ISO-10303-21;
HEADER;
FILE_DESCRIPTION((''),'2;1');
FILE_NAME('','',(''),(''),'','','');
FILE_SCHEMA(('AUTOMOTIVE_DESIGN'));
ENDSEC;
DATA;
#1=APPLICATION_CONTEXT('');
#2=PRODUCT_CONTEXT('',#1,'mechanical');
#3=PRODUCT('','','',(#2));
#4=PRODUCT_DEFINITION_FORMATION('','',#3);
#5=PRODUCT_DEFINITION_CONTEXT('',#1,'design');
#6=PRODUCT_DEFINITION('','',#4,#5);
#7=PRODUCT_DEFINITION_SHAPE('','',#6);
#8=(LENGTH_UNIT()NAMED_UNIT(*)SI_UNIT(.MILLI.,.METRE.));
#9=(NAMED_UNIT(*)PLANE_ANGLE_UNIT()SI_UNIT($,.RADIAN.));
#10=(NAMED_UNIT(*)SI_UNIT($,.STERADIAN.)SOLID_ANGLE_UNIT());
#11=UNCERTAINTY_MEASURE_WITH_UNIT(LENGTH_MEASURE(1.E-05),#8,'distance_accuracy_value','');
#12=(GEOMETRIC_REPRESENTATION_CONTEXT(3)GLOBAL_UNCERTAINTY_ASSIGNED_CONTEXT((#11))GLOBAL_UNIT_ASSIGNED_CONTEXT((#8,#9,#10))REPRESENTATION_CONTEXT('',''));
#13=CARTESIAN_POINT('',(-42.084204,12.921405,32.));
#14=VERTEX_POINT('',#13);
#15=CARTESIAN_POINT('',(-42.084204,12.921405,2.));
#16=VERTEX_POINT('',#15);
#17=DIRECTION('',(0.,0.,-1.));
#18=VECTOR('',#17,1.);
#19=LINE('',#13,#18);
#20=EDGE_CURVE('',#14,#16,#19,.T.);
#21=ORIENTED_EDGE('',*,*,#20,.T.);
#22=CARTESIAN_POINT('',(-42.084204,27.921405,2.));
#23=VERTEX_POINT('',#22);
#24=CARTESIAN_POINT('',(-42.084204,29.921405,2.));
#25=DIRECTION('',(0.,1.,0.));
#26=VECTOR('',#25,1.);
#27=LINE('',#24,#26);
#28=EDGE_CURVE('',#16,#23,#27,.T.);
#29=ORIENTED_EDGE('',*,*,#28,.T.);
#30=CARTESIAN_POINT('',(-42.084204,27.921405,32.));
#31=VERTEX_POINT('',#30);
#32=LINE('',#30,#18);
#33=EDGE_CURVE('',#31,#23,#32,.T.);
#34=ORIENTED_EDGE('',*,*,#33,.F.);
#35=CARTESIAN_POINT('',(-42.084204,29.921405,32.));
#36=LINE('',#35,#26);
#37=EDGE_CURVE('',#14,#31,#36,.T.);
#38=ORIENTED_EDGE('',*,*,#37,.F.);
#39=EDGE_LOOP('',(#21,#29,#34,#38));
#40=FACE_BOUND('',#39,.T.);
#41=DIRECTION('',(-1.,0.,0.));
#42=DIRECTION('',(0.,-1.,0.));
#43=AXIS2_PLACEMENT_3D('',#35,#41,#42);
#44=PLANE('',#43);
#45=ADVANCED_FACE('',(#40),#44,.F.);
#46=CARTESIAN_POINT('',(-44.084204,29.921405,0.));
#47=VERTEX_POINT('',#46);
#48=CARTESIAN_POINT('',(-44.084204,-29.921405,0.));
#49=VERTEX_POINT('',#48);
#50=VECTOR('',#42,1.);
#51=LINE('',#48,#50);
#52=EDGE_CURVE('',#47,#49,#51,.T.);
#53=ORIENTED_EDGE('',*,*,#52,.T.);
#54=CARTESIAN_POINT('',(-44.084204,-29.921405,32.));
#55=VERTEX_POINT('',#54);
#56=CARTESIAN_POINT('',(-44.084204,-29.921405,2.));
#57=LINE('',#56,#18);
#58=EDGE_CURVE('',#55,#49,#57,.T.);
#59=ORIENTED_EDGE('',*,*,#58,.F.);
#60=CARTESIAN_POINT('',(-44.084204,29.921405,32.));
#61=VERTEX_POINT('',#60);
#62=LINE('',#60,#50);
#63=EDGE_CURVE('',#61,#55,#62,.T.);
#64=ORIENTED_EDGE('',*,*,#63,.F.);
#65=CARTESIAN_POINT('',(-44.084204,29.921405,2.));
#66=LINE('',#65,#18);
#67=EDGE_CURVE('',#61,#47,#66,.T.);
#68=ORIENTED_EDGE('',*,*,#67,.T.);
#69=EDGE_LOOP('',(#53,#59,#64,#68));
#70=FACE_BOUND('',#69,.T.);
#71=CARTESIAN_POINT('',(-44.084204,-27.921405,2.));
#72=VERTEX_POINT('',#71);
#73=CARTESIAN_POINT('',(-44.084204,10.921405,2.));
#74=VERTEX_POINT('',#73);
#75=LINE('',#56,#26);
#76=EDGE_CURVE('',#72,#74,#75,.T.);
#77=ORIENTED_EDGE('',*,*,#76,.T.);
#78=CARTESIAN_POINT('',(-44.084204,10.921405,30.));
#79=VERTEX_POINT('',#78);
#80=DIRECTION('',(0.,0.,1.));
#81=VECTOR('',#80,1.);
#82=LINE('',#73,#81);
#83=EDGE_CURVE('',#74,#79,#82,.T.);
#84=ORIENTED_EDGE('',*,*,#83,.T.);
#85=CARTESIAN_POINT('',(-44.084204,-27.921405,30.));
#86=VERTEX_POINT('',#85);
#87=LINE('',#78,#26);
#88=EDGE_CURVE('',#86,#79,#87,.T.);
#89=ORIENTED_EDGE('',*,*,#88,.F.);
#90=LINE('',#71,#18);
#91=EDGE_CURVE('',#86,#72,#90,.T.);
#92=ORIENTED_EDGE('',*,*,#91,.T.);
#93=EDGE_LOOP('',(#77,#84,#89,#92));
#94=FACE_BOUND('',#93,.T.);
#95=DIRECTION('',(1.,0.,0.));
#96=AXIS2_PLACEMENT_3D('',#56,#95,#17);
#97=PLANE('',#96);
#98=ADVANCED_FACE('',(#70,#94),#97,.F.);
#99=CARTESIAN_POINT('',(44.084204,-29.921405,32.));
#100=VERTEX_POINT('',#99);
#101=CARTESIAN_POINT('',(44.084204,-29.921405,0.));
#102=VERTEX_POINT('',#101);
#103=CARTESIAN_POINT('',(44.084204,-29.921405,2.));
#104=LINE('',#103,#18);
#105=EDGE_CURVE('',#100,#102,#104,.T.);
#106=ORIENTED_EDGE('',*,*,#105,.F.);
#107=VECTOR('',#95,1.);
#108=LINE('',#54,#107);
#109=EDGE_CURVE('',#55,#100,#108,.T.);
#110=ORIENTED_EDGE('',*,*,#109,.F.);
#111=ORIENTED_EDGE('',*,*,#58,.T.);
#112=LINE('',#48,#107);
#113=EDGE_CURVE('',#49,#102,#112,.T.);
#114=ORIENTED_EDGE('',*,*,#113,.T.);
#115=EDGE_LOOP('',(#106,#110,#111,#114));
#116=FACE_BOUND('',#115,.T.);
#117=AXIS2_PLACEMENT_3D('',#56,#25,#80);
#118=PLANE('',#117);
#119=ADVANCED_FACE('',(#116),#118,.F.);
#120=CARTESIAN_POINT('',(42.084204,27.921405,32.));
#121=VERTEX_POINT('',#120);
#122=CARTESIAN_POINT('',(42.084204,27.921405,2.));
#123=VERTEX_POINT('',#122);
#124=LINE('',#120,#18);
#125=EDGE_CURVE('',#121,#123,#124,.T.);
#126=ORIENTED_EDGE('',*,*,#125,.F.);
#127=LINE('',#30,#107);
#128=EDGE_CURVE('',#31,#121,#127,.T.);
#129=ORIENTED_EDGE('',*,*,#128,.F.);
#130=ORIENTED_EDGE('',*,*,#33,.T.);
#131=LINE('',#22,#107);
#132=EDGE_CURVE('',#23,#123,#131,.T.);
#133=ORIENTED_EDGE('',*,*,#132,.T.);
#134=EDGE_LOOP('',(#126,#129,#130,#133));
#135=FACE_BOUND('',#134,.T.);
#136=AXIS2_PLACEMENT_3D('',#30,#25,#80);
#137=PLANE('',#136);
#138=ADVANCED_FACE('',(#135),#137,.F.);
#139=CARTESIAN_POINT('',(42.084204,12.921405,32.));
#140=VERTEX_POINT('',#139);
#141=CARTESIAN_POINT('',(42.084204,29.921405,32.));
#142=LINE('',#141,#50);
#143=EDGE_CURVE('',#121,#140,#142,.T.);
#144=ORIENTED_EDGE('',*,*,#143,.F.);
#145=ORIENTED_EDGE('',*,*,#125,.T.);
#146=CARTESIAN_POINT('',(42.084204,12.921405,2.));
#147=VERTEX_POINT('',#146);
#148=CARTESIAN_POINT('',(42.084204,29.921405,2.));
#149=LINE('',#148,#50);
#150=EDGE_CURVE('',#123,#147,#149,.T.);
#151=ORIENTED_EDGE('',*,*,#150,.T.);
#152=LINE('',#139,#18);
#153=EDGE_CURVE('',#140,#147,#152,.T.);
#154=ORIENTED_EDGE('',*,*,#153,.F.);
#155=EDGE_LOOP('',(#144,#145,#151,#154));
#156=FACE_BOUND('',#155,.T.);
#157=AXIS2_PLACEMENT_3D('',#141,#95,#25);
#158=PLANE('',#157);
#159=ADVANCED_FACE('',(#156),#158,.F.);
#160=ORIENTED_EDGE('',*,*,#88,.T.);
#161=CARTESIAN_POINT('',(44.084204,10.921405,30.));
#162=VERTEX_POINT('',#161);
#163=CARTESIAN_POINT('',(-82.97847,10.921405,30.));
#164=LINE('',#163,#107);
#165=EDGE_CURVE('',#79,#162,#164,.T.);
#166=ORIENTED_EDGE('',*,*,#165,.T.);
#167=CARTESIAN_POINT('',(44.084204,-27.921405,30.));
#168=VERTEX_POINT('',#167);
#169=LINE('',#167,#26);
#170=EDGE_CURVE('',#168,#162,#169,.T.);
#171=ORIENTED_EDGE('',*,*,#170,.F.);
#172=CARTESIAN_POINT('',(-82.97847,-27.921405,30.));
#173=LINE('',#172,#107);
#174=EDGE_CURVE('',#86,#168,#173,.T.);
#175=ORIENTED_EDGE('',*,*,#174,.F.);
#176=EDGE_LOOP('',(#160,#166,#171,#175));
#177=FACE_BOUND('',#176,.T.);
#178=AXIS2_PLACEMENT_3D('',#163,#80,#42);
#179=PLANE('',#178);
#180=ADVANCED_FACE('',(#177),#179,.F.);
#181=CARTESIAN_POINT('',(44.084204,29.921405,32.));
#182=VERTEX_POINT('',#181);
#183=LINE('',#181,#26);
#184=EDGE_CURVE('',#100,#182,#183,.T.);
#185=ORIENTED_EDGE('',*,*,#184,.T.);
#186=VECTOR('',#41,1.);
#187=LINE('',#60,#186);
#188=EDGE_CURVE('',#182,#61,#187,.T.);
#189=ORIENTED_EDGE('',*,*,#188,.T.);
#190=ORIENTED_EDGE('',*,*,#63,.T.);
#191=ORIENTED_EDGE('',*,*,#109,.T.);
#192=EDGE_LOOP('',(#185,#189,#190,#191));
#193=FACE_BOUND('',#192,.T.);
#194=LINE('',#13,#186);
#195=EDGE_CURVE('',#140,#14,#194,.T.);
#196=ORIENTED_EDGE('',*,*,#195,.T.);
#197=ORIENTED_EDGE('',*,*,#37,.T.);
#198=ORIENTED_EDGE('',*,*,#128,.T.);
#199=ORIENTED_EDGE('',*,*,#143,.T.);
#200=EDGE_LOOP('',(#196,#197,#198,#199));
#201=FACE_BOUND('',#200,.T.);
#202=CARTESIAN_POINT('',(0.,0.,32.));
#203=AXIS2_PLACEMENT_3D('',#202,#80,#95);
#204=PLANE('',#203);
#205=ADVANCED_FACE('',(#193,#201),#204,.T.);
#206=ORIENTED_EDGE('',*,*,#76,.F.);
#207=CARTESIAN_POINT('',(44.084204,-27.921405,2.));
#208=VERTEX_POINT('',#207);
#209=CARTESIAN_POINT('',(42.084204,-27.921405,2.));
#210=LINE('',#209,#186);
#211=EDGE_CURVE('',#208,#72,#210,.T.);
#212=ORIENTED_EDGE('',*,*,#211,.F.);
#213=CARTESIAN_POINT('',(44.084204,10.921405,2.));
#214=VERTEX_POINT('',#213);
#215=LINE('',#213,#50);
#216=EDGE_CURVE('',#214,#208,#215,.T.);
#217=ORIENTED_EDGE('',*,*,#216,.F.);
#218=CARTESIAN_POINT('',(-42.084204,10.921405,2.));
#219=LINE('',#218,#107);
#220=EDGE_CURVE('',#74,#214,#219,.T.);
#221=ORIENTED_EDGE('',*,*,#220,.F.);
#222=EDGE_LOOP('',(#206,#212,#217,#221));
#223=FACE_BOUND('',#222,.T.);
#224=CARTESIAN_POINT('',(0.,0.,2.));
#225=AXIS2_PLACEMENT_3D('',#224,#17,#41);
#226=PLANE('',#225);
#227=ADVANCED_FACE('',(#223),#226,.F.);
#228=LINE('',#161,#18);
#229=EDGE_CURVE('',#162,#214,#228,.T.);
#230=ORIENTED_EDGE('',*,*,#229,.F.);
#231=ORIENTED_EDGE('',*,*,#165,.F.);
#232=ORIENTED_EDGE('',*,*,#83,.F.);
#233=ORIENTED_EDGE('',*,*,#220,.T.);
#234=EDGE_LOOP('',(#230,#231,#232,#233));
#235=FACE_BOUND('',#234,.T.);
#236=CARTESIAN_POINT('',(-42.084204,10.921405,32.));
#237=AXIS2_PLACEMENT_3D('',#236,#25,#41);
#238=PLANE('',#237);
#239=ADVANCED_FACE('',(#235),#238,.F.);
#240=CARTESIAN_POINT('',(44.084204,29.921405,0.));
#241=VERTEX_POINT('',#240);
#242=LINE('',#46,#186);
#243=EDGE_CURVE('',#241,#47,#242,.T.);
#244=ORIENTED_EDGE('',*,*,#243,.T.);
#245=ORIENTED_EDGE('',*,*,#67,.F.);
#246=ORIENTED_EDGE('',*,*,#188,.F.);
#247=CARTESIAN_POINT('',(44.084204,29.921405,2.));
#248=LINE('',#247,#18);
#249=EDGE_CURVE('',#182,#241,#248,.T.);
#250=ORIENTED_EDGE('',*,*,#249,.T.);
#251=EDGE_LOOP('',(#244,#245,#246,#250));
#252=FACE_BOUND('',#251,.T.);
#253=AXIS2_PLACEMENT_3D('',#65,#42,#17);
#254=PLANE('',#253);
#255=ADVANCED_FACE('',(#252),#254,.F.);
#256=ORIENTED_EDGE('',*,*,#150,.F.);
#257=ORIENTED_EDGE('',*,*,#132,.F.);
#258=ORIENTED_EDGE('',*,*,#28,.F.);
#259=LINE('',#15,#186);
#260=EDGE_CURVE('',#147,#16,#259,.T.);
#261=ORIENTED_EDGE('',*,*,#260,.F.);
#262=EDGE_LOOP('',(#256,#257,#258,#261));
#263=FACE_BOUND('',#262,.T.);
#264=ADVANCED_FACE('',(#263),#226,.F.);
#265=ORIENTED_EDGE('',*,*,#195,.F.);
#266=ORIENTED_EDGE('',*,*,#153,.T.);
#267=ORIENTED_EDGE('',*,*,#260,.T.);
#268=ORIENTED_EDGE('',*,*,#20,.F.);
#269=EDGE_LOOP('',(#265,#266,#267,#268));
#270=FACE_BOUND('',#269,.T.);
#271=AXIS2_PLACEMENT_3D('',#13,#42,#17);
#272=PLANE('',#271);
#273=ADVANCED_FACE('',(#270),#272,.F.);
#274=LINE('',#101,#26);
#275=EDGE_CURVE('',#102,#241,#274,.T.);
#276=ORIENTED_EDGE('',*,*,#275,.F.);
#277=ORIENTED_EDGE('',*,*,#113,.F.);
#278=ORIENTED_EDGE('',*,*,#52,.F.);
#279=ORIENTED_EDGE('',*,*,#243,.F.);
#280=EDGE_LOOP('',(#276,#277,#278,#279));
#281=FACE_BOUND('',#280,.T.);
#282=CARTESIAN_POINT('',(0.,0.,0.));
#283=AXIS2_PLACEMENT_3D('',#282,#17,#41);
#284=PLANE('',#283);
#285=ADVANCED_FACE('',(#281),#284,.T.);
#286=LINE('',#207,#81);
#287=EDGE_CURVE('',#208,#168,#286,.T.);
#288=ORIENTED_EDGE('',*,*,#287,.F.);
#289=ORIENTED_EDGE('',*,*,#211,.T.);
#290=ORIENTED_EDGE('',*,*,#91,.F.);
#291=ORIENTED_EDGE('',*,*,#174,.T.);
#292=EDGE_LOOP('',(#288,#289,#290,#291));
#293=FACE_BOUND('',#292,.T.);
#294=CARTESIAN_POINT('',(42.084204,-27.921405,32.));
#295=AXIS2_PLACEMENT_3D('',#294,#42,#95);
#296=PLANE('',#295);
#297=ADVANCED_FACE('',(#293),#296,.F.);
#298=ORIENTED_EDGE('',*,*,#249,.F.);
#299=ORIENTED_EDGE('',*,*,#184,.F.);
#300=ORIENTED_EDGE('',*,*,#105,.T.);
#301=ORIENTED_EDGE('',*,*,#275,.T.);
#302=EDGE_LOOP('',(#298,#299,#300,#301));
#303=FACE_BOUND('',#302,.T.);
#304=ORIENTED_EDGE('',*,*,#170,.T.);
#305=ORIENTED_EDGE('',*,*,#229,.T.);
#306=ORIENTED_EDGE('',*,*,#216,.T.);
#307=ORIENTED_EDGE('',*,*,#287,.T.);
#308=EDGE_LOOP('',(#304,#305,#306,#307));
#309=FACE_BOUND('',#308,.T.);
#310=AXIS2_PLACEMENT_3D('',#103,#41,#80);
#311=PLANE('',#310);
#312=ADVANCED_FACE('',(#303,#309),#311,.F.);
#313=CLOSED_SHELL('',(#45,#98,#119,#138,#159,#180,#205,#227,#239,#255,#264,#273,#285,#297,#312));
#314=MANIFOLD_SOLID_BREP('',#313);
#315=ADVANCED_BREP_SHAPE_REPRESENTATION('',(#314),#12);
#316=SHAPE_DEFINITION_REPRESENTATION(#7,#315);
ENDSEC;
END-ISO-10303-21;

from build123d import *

# Parameters (mm, degrees)
SKETCH1_W           = 88.168408076
SKETCH1_H           = 59.84281091
BOSS_EXTRUDE4_DEPTH = 2
SKETCH2_W           = 2
SKETCH2_H           = 59.84281091
BOSS_EXTRUDE5_DEPTH = 30
SKETCH3_W           = 84.168408076
SKETCH3_H           = 2
BOSS_EXTRUDE6_DEPTH = 30
SKETCH4_W           = 30
SKETCH4_H           = 38.84281091
CUT_EXTRUDE1_DEPTH  = 30
SKETCH5_W           = 2
SKETCH5_H           = 38.84281091
BOSS_EXTRUDE7_DEPTH = 86.168408075
SKETCH6_W           = 28
SKETCH6_H           = 38.84281091
CUT_EXTRUDE2_DEPTH  = 97.665842233


with BuildPart() as part:
    # Sketch1 → Boss-Extrude4 (new body)
    with BuildSketch(Plane.XY):
        Rectangle(SKETCH1_W, SKETCH1_H)
    extrude(amount=BOSS_EXTRUDE4_DEPTH)

    # Sketch2 → Boss-Extrude5 (add)
    with BuildSketch(Plane.XY.offset(2)):
        with Locations((-43.084204038, 0)):
            Rectangle(SKETCH2_W, SKETCH2_H)
        with Locations((43.084204038, 0)):
            Rectangle(SKETCH2_W, SKETCH2_H)
    extrude(amount=BOSS_EXTRUDE5_DEPTH)

    # Sketch3 → Boss-Extrude6 (add)
    with BuildSketch(Plane.XY.offset(2)):
        with Locations((0, 28.921405455)):
            Rectangle(SKETCH3_W, SKETCH3_H)
        with Locations((0, -28.921405455)):
            Rectangle(SKETCH3_W, SKETCH3_H)
        with Locations((0, 11.921405455)):
            Rectangle(SKETCH3_W, SKETCH3_H)
    extrude(amount=BOSS_EXTRUDE6_DEPTH)

    # Sketch4 → Cut-Extrude1 (cut)
    with BuildSketch(Plane(origin=(-42.084204038, 0, 0), x_dir=(0, 0, -1), z_dir=(1, 0, 0))):
        with Locations((-17, -8.5)):
            Rectangle(SKETCH4_W, SKETCH4_H)
    extrude(amount=-CUT_EXTRUDE1_DEPTH, mode=Mode.SUBTRACT)

    # Sketch5 → Boss-Extrude7 (add)
    with BuildSketch(Plane.ZY.offset(-42.084204038)):
        with Locations((31, -8.5)):
            Rectangle(SKETCH5_W, SKETCH5_H)
    extrude(amount=BOSS_EXTRUDE7_DEPTH)

    # Sketch6 → Cut-Extrude2 (cut, through all)
    with BuildSketch(Plane.ZY.offset(-42.084204038)):
        with Locations((16, -8.5)):
            Rectangle(SKETCH6_W, SKETCH6_H)
    extrude(amount=-CUT_EXTRUDE2_DEPTH, mode=Mode.SUBTRACT)


solid = part.part
